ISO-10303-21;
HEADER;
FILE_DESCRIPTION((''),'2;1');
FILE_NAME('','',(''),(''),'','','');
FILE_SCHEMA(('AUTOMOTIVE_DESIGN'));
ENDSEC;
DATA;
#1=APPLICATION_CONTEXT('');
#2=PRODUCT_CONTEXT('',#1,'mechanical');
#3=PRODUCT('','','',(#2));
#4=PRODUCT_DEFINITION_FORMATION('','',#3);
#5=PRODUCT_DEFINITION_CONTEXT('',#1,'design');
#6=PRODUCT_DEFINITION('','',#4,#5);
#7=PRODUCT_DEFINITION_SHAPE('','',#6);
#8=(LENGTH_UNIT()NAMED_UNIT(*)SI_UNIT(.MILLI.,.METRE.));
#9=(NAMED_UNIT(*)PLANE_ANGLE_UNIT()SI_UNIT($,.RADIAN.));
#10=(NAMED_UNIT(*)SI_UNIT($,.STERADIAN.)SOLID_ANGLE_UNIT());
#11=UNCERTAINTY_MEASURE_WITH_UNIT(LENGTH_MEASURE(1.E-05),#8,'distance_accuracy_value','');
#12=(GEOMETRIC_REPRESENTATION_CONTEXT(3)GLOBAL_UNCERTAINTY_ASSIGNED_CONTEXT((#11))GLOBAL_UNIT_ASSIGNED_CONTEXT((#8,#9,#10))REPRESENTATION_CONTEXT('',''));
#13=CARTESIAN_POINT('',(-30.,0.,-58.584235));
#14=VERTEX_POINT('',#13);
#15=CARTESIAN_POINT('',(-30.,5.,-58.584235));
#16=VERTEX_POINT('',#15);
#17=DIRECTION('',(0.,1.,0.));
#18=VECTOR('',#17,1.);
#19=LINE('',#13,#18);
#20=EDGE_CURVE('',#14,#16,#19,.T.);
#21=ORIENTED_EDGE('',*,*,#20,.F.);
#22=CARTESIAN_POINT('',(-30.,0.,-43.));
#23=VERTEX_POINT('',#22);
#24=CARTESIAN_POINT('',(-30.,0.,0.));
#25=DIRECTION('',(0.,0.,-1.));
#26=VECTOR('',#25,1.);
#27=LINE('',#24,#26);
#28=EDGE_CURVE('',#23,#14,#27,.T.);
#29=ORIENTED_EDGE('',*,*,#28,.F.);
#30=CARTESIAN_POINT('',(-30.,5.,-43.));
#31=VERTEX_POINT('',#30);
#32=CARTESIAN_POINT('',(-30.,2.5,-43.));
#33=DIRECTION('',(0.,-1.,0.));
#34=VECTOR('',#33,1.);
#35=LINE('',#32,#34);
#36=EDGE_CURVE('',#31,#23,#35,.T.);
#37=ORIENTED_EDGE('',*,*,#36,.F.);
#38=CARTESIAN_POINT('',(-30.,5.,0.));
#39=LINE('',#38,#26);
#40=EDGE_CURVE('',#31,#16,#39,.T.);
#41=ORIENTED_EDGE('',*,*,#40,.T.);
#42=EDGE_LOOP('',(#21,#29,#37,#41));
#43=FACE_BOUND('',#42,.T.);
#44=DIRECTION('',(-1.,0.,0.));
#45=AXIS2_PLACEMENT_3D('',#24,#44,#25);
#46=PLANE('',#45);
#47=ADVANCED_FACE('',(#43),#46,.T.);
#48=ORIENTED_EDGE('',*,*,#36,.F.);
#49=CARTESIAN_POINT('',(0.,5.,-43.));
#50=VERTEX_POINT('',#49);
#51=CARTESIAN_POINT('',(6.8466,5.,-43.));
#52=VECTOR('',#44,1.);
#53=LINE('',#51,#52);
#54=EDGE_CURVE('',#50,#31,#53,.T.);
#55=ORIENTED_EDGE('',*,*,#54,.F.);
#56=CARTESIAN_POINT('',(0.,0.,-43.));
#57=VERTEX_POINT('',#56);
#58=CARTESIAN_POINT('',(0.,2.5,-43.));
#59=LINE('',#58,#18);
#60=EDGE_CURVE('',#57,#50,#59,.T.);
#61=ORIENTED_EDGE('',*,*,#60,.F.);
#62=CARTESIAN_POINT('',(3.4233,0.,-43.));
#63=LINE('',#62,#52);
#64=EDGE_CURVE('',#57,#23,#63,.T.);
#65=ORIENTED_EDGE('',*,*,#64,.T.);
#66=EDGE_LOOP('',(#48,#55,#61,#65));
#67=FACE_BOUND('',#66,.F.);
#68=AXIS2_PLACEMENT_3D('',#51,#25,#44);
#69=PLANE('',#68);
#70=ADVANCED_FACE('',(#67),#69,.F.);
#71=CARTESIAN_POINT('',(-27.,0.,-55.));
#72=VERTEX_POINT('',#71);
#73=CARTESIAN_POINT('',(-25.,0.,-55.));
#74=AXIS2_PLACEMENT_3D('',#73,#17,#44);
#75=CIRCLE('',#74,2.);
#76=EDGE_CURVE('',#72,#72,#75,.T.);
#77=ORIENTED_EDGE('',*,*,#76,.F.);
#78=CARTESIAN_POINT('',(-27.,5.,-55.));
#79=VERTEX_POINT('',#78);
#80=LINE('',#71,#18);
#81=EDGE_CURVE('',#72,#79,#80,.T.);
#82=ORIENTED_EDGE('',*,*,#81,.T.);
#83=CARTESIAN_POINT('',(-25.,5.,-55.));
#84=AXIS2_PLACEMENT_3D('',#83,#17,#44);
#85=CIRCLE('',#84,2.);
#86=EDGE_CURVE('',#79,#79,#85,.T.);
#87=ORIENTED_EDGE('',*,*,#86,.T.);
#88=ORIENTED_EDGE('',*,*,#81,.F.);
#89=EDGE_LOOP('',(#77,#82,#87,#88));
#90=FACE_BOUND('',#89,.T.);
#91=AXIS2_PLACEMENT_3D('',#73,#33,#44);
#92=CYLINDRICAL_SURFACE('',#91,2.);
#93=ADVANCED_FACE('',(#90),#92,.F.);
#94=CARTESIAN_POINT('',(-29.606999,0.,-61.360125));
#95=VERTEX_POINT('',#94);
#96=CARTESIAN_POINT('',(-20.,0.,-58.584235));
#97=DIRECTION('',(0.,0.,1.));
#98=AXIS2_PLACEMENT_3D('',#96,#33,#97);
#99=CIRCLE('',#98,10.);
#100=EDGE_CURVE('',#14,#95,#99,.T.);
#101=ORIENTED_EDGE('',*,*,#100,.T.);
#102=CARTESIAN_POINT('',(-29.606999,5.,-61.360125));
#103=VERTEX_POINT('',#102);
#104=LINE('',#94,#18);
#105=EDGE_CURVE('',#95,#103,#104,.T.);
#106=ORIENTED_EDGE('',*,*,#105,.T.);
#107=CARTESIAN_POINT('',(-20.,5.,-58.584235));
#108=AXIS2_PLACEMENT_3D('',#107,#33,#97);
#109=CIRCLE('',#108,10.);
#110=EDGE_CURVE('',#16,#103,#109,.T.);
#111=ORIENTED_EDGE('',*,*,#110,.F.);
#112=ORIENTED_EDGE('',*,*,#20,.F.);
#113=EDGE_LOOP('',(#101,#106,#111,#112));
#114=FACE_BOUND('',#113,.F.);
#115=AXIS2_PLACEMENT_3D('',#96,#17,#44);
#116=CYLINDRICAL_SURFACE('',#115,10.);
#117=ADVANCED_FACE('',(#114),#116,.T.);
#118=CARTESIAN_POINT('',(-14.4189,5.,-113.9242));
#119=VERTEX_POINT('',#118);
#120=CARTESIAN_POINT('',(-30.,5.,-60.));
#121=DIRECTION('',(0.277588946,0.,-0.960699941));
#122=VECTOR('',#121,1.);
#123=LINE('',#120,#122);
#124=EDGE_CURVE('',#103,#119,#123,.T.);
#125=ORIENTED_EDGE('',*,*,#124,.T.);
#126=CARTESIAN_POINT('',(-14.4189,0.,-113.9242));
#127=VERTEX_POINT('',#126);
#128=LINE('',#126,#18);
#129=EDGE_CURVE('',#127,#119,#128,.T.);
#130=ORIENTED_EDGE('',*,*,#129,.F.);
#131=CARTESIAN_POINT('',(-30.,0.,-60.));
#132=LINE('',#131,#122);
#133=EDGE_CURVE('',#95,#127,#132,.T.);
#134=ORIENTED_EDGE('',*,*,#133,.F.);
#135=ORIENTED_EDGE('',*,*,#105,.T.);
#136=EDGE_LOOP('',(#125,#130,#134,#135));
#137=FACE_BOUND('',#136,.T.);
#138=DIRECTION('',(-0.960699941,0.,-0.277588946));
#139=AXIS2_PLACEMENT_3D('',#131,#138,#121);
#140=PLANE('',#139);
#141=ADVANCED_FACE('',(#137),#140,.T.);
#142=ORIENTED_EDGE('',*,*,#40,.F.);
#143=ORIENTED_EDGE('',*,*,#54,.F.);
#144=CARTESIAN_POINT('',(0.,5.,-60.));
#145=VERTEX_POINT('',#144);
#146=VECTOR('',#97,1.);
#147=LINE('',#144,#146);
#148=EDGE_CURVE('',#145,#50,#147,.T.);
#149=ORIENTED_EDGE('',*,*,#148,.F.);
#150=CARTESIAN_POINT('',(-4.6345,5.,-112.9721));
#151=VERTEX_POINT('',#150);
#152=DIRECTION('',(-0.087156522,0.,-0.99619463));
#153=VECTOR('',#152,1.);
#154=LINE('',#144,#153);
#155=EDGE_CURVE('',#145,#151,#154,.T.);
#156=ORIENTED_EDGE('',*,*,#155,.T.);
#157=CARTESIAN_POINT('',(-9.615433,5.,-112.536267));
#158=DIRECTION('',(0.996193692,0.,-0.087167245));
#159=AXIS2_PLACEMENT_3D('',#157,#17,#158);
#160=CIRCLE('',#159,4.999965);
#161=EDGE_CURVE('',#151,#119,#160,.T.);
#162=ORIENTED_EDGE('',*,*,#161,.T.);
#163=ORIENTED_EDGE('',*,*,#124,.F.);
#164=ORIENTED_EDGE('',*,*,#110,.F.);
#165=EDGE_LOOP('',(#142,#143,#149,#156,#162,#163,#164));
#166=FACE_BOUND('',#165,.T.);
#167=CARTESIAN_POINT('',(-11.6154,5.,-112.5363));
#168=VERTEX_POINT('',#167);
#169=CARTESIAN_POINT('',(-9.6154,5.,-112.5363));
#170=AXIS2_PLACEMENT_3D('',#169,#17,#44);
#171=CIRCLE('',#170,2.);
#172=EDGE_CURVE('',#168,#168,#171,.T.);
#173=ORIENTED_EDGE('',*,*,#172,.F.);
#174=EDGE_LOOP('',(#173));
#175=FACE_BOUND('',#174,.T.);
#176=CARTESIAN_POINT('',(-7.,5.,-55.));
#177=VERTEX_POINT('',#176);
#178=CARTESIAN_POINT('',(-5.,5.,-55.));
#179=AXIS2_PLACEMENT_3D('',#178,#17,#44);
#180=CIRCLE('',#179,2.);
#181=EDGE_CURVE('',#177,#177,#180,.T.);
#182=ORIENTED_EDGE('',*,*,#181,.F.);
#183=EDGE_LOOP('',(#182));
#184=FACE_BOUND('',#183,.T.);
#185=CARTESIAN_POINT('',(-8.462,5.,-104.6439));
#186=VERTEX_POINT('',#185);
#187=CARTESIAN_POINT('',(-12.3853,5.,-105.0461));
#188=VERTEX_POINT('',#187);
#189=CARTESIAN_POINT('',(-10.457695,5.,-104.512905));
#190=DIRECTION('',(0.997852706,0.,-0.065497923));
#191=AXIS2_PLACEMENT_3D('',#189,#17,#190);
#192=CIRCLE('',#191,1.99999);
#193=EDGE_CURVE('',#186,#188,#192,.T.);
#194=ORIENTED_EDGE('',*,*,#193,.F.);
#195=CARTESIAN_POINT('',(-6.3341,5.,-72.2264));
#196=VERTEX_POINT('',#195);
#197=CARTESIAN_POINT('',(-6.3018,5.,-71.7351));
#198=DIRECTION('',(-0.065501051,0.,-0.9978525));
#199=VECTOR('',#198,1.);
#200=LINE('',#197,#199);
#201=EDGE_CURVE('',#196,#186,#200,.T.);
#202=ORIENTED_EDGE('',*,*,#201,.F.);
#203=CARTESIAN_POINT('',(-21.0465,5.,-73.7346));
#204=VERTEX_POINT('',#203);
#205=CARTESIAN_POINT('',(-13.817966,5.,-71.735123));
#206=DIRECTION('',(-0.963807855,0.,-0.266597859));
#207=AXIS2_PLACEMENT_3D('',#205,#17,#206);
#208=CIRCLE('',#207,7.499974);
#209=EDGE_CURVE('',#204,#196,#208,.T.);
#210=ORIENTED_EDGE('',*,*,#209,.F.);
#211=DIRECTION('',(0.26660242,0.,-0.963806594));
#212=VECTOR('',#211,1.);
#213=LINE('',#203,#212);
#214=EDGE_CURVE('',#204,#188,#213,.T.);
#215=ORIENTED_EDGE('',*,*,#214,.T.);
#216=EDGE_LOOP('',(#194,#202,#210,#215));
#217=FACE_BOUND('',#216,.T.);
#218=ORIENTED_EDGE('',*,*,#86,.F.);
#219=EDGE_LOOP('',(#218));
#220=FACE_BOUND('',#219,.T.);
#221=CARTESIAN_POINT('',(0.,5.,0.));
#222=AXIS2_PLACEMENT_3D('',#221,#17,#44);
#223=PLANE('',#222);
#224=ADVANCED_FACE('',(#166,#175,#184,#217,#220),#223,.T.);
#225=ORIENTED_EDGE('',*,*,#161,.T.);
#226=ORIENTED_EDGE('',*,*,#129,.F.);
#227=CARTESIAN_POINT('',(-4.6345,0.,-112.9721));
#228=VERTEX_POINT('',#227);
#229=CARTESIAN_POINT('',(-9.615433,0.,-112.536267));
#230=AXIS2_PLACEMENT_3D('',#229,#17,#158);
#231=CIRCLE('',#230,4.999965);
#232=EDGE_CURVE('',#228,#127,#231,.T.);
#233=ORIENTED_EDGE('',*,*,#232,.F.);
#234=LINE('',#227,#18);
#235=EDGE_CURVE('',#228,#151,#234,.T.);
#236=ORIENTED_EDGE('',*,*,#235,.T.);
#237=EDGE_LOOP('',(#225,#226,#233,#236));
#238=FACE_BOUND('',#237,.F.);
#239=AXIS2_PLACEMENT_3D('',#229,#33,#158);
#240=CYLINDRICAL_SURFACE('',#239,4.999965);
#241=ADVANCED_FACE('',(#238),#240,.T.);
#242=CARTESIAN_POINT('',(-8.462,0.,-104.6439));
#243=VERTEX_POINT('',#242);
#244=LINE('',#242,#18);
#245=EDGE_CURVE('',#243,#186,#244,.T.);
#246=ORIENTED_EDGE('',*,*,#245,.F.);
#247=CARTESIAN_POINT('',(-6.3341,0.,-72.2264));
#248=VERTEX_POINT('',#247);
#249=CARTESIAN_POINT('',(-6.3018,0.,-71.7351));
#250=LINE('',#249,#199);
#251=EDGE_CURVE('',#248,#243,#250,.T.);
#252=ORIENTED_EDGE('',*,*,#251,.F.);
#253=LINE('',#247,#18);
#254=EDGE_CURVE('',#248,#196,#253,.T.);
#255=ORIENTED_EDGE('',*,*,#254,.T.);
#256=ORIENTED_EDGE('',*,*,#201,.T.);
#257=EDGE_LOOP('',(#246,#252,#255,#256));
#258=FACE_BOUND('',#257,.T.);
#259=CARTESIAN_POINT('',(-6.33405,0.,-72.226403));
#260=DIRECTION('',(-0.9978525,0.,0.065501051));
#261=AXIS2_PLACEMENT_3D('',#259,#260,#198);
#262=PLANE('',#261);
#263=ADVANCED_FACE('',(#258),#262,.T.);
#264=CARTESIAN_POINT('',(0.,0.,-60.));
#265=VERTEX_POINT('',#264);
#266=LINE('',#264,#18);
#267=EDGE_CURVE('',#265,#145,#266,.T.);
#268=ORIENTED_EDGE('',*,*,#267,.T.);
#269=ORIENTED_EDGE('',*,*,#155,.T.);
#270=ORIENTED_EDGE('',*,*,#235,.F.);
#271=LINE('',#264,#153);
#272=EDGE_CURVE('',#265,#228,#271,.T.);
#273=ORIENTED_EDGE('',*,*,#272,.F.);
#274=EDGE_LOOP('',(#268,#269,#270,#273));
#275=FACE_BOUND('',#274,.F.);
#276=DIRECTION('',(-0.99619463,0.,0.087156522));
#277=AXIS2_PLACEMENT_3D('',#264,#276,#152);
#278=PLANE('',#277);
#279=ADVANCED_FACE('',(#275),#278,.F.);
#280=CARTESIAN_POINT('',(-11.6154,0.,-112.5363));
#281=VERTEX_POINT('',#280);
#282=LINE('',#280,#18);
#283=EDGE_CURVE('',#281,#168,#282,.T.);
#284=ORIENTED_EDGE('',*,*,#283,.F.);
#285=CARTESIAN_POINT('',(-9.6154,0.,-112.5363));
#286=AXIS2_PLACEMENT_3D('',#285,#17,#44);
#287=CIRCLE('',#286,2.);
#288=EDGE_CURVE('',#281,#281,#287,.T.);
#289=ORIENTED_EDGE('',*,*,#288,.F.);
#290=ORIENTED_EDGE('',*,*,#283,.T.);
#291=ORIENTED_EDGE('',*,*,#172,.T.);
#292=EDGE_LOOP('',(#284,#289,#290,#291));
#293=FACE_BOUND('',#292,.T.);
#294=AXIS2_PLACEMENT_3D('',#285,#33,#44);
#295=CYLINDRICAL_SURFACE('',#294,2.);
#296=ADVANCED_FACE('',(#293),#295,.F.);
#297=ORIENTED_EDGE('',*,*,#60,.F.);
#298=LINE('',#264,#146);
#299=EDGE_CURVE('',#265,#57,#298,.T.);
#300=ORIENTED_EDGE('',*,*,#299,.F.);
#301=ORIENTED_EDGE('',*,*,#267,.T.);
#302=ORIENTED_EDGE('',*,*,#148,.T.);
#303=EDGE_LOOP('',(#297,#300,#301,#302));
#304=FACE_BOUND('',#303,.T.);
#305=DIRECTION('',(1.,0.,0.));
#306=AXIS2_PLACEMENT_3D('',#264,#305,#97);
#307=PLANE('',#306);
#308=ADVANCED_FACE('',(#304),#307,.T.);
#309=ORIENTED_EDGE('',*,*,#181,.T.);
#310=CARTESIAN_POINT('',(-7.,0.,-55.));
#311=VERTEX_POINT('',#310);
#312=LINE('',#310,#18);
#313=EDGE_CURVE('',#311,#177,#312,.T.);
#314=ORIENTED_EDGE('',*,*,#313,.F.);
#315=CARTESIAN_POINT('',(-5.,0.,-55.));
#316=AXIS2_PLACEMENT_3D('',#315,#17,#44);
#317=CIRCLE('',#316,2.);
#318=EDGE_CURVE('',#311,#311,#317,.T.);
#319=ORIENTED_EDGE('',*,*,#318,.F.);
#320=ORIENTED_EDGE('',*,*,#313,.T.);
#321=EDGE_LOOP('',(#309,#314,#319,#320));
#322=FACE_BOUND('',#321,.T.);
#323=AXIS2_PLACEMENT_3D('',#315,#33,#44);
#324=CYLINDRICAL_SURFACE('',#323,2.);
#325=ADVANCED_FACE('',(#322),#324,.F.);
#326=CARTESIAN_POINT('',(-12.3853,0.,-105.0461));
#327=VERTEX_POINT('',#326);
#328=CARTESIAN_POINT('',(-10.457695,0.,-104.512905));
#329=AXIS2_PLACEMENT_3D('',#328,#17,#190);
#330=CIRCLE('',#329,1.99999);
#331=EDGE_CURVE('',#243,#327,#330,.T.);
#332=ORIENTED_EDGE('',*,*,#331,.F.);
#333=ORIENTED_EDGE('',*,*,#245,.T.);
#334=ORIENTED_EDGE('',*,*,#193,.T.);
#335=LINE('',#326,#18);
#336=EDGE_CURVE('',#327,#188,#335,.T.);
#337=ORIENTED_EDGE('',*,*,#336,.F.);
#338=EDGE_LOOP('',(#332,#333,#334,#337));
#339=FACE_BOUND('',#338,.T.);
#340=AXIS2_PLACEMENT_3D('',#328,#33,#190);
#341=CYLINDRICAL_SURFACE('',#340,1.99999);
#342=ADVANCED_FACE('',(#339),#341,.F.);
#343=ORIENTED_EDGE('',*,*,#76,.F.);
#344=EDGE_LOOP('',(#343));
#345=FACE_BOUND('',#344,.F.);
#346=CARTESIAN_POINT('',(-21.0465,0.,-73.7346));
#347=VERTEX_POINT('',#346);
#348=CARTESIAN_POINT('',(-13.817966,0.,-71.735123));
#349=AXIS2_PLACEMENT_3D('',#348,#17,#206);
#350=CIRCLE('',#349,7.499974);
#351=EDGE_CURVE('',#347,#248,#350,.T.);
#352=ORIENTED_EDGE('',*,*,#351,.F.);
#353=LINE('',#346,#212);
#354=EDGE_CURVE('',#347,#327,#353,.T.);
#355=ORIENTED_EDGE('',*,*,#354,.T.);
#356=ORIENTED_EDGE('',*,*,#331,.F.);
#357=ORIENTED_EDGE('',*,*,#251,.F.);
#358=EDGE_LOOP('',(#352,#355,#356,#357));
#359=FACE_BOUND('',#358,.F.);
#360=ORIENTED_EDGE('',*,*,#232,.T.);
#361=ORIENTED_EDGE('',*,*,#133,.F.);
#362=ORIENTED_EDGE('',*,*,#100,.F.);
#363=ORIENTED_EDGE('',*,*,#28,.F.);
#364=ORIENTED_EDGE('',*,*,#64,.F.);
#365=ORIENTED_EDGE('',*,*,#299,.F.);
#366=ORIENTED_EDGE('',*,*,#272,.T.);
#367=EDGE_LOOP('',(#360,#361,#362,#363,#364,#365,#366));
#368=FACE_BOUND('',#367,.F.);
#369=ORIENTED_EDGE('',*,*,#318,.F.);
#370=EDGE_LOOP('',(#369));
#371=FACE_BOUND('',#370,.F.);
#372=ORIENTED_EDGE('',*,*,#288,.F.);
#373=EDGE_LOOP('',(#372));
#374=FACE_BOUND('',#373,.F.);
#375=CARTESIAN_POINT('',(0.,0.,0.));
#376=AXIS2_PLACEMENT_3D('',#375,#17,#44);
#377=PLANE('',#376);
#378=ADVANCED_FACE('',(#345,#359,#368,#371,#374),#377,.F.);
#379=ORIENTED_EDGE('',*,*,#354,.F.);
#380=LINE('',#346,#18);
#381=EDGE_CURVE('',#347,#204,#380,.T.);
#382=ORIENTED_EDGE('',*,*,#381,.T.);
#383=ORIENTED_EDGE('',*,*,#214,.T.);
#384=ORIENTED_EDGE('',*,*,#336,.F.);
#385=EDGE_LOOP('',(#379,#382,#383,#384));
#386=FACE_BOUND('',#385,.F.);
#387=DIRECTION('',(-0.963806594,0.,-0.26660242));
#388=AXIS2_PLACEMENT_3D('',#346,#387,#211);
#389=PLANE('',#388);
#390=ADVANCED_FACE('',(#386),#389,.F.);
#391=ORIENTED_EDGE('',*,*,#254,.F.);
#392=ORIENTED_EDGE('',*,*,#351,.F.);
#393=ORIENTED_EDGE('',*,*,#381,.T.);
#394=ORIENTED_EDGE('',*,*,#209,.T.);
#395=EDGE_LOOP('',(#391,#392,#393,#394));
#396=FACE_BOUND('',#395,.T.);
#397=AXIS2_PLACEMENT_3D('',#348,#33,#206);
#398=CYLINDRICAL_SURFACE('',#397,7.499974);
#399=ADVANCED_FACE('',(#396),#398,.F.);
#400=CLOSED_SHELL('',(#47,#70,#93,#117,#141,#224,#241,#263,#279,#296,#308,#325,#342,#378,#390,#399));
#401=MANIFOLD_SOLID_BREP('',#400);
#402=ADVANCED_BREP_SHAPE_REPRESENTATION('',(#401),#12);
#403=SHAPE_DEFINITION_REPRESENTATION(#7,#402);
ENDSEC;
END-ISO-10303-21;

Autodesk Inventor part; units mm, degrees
ref_plane "YZ Plane" through (0, 0, 0) normal (1, 0, 0) x (0, 1, 0)
ref_plane "XZ Plane" through (0, 0, 0) normal (0, 1, 0) x (-1, 0, 0)
ref_plane "XY Plane" through (0, 0, 0) normal (0, 0, 1) x (1, 0, 0)
sketch "Boceto1" plane through (0, 0, 0) normal (1, 0, 0) x (0, 1, 0)
  point P0 (0, 0)
sketch "Boceto2" plane through (0, 0, 0) normal (0, 1, 0) x (-1, 0, 0)
  line L0 (0, 0) -> (30, 0)
  line L1 (30, 0) -> (30, -60)
  line L2 (30, -60) -> (0, -60)
  line L3 (0, -60) -> (0, 0)
  circle A0 centre (25, -5) radius 2
  line L4 (30, -30) -> (0, -30) construction
  circle A1 centre (25, -55) radius 2
  line L5 (15, 0) -> (15, -60) construction
  circle A2 centre (5, -5) radius 2
  circle A3 centre (5, -55) radius 2
  line L6 (0, -60) -> (4.6345, -112.9721)
  line L7 (0, -60) -> (53.1744, -60) construction
  line L8 (30, -60) -> (14.4189, -113.9242)
  line L9 (0, 0) -> (4.6345, 52.9721)
  line L10 (30, 0) -> (14.4189, 53.9242)
  arc A4 (14.4189, 53.9242) -> (4.6345, 52.9721) centre (9.6154, 52.5363) ccw
  arc A5 (4.6345, -112.9721) -> (14.4189, -113.9242) centre (9.6154, -112.5363) ccw
  circle A6 centre (9.6154, -112.5363) radius 2
  circle A7 centre (9.6154, 52.5363) radius 2
  line L11 (15, -60) -> (9.1311, -117.5128) construction
  line L12 (1.0267, -71.7351) -> (26.6092, -71.7351) construction
  arc A8 (21.0465, -73.7346) -> (6.3341, -72.2264) centre (13.818, -71.7351) ccw
  arc A9 (8.462, -104.6439) -> (12.3853, -105.0461) centre (10.4577, -104.5129) ccw
  line L13 (21.0465, -73.7346) -> (12.3853, -105.0461)
  line L14 (6.3018, -71.7351) -> (8.462, -104.6439)
  arc A10 (6.3341, 12.2264) -> (21.0465, 13.7346) centre (13.818, 11.7351) ccw
  arc A11 (12.3853, 45.0461) -> (8.462, 44.6439) centre (10.4577, 44.5129) ccw
  line L15 (21.0465, 13.7346) -> (12.3853, 45.0461)
  line L16 (6.3018, 11.7351) -> (8.462, 44.6439)
  point P0 (6.9725, -139.6956)
  point P1 (6.9725, 79.6956)
  dimension "d0" = 30
  dimension "d1" = 60
  dimension "d2" = 4
  dimension "d4" = 5
  dimension "d5" = 5
  dimension "d6" = 80
  dimension "d7" = 85
  dimension "d8" = 5
  dimension "d9" = 4
  dimension "d10" = 4
  dimension "d11" = 15
  dimension "d12" = 4
  dimension "d13" = 0.654
extrude "Extrusión1" add sketch "Boceto2" along normal blind 5
sketch "Boceto3" plane through (0, 5, 0) normal (0, 1, 0) x (1, 0, 0)
  point P0 (0, 0)
fillet "Empalme1" radius 10 2 edges at (-30, 2.5, 0) (-30, 2.5, -60)
sketch "Boceto5" plane through (0, 5, 0) normal (0, 1, 0) x (1, 0, 0)
  circle A0 centre (-5, 55) radius 2 construction
  line L0 (-5, 53) -> (-5, 43) construction
  line L1 (6.8466, 43) -> (-33.4625, 43)
  line L2 (-33.4625, 43) -> (-33.4625, -74.7352)
  line L3 (-33.4625, -74.7352) -> (6.8466, -74.7352)
  line L4 (6.8466, -74.7352) -> (6.8466, 43)
  point P0 (0, 0)
  dimension "d18" = 10
extrude "Extrusión2" cut sketch "Boceto5" against normal blind 10
